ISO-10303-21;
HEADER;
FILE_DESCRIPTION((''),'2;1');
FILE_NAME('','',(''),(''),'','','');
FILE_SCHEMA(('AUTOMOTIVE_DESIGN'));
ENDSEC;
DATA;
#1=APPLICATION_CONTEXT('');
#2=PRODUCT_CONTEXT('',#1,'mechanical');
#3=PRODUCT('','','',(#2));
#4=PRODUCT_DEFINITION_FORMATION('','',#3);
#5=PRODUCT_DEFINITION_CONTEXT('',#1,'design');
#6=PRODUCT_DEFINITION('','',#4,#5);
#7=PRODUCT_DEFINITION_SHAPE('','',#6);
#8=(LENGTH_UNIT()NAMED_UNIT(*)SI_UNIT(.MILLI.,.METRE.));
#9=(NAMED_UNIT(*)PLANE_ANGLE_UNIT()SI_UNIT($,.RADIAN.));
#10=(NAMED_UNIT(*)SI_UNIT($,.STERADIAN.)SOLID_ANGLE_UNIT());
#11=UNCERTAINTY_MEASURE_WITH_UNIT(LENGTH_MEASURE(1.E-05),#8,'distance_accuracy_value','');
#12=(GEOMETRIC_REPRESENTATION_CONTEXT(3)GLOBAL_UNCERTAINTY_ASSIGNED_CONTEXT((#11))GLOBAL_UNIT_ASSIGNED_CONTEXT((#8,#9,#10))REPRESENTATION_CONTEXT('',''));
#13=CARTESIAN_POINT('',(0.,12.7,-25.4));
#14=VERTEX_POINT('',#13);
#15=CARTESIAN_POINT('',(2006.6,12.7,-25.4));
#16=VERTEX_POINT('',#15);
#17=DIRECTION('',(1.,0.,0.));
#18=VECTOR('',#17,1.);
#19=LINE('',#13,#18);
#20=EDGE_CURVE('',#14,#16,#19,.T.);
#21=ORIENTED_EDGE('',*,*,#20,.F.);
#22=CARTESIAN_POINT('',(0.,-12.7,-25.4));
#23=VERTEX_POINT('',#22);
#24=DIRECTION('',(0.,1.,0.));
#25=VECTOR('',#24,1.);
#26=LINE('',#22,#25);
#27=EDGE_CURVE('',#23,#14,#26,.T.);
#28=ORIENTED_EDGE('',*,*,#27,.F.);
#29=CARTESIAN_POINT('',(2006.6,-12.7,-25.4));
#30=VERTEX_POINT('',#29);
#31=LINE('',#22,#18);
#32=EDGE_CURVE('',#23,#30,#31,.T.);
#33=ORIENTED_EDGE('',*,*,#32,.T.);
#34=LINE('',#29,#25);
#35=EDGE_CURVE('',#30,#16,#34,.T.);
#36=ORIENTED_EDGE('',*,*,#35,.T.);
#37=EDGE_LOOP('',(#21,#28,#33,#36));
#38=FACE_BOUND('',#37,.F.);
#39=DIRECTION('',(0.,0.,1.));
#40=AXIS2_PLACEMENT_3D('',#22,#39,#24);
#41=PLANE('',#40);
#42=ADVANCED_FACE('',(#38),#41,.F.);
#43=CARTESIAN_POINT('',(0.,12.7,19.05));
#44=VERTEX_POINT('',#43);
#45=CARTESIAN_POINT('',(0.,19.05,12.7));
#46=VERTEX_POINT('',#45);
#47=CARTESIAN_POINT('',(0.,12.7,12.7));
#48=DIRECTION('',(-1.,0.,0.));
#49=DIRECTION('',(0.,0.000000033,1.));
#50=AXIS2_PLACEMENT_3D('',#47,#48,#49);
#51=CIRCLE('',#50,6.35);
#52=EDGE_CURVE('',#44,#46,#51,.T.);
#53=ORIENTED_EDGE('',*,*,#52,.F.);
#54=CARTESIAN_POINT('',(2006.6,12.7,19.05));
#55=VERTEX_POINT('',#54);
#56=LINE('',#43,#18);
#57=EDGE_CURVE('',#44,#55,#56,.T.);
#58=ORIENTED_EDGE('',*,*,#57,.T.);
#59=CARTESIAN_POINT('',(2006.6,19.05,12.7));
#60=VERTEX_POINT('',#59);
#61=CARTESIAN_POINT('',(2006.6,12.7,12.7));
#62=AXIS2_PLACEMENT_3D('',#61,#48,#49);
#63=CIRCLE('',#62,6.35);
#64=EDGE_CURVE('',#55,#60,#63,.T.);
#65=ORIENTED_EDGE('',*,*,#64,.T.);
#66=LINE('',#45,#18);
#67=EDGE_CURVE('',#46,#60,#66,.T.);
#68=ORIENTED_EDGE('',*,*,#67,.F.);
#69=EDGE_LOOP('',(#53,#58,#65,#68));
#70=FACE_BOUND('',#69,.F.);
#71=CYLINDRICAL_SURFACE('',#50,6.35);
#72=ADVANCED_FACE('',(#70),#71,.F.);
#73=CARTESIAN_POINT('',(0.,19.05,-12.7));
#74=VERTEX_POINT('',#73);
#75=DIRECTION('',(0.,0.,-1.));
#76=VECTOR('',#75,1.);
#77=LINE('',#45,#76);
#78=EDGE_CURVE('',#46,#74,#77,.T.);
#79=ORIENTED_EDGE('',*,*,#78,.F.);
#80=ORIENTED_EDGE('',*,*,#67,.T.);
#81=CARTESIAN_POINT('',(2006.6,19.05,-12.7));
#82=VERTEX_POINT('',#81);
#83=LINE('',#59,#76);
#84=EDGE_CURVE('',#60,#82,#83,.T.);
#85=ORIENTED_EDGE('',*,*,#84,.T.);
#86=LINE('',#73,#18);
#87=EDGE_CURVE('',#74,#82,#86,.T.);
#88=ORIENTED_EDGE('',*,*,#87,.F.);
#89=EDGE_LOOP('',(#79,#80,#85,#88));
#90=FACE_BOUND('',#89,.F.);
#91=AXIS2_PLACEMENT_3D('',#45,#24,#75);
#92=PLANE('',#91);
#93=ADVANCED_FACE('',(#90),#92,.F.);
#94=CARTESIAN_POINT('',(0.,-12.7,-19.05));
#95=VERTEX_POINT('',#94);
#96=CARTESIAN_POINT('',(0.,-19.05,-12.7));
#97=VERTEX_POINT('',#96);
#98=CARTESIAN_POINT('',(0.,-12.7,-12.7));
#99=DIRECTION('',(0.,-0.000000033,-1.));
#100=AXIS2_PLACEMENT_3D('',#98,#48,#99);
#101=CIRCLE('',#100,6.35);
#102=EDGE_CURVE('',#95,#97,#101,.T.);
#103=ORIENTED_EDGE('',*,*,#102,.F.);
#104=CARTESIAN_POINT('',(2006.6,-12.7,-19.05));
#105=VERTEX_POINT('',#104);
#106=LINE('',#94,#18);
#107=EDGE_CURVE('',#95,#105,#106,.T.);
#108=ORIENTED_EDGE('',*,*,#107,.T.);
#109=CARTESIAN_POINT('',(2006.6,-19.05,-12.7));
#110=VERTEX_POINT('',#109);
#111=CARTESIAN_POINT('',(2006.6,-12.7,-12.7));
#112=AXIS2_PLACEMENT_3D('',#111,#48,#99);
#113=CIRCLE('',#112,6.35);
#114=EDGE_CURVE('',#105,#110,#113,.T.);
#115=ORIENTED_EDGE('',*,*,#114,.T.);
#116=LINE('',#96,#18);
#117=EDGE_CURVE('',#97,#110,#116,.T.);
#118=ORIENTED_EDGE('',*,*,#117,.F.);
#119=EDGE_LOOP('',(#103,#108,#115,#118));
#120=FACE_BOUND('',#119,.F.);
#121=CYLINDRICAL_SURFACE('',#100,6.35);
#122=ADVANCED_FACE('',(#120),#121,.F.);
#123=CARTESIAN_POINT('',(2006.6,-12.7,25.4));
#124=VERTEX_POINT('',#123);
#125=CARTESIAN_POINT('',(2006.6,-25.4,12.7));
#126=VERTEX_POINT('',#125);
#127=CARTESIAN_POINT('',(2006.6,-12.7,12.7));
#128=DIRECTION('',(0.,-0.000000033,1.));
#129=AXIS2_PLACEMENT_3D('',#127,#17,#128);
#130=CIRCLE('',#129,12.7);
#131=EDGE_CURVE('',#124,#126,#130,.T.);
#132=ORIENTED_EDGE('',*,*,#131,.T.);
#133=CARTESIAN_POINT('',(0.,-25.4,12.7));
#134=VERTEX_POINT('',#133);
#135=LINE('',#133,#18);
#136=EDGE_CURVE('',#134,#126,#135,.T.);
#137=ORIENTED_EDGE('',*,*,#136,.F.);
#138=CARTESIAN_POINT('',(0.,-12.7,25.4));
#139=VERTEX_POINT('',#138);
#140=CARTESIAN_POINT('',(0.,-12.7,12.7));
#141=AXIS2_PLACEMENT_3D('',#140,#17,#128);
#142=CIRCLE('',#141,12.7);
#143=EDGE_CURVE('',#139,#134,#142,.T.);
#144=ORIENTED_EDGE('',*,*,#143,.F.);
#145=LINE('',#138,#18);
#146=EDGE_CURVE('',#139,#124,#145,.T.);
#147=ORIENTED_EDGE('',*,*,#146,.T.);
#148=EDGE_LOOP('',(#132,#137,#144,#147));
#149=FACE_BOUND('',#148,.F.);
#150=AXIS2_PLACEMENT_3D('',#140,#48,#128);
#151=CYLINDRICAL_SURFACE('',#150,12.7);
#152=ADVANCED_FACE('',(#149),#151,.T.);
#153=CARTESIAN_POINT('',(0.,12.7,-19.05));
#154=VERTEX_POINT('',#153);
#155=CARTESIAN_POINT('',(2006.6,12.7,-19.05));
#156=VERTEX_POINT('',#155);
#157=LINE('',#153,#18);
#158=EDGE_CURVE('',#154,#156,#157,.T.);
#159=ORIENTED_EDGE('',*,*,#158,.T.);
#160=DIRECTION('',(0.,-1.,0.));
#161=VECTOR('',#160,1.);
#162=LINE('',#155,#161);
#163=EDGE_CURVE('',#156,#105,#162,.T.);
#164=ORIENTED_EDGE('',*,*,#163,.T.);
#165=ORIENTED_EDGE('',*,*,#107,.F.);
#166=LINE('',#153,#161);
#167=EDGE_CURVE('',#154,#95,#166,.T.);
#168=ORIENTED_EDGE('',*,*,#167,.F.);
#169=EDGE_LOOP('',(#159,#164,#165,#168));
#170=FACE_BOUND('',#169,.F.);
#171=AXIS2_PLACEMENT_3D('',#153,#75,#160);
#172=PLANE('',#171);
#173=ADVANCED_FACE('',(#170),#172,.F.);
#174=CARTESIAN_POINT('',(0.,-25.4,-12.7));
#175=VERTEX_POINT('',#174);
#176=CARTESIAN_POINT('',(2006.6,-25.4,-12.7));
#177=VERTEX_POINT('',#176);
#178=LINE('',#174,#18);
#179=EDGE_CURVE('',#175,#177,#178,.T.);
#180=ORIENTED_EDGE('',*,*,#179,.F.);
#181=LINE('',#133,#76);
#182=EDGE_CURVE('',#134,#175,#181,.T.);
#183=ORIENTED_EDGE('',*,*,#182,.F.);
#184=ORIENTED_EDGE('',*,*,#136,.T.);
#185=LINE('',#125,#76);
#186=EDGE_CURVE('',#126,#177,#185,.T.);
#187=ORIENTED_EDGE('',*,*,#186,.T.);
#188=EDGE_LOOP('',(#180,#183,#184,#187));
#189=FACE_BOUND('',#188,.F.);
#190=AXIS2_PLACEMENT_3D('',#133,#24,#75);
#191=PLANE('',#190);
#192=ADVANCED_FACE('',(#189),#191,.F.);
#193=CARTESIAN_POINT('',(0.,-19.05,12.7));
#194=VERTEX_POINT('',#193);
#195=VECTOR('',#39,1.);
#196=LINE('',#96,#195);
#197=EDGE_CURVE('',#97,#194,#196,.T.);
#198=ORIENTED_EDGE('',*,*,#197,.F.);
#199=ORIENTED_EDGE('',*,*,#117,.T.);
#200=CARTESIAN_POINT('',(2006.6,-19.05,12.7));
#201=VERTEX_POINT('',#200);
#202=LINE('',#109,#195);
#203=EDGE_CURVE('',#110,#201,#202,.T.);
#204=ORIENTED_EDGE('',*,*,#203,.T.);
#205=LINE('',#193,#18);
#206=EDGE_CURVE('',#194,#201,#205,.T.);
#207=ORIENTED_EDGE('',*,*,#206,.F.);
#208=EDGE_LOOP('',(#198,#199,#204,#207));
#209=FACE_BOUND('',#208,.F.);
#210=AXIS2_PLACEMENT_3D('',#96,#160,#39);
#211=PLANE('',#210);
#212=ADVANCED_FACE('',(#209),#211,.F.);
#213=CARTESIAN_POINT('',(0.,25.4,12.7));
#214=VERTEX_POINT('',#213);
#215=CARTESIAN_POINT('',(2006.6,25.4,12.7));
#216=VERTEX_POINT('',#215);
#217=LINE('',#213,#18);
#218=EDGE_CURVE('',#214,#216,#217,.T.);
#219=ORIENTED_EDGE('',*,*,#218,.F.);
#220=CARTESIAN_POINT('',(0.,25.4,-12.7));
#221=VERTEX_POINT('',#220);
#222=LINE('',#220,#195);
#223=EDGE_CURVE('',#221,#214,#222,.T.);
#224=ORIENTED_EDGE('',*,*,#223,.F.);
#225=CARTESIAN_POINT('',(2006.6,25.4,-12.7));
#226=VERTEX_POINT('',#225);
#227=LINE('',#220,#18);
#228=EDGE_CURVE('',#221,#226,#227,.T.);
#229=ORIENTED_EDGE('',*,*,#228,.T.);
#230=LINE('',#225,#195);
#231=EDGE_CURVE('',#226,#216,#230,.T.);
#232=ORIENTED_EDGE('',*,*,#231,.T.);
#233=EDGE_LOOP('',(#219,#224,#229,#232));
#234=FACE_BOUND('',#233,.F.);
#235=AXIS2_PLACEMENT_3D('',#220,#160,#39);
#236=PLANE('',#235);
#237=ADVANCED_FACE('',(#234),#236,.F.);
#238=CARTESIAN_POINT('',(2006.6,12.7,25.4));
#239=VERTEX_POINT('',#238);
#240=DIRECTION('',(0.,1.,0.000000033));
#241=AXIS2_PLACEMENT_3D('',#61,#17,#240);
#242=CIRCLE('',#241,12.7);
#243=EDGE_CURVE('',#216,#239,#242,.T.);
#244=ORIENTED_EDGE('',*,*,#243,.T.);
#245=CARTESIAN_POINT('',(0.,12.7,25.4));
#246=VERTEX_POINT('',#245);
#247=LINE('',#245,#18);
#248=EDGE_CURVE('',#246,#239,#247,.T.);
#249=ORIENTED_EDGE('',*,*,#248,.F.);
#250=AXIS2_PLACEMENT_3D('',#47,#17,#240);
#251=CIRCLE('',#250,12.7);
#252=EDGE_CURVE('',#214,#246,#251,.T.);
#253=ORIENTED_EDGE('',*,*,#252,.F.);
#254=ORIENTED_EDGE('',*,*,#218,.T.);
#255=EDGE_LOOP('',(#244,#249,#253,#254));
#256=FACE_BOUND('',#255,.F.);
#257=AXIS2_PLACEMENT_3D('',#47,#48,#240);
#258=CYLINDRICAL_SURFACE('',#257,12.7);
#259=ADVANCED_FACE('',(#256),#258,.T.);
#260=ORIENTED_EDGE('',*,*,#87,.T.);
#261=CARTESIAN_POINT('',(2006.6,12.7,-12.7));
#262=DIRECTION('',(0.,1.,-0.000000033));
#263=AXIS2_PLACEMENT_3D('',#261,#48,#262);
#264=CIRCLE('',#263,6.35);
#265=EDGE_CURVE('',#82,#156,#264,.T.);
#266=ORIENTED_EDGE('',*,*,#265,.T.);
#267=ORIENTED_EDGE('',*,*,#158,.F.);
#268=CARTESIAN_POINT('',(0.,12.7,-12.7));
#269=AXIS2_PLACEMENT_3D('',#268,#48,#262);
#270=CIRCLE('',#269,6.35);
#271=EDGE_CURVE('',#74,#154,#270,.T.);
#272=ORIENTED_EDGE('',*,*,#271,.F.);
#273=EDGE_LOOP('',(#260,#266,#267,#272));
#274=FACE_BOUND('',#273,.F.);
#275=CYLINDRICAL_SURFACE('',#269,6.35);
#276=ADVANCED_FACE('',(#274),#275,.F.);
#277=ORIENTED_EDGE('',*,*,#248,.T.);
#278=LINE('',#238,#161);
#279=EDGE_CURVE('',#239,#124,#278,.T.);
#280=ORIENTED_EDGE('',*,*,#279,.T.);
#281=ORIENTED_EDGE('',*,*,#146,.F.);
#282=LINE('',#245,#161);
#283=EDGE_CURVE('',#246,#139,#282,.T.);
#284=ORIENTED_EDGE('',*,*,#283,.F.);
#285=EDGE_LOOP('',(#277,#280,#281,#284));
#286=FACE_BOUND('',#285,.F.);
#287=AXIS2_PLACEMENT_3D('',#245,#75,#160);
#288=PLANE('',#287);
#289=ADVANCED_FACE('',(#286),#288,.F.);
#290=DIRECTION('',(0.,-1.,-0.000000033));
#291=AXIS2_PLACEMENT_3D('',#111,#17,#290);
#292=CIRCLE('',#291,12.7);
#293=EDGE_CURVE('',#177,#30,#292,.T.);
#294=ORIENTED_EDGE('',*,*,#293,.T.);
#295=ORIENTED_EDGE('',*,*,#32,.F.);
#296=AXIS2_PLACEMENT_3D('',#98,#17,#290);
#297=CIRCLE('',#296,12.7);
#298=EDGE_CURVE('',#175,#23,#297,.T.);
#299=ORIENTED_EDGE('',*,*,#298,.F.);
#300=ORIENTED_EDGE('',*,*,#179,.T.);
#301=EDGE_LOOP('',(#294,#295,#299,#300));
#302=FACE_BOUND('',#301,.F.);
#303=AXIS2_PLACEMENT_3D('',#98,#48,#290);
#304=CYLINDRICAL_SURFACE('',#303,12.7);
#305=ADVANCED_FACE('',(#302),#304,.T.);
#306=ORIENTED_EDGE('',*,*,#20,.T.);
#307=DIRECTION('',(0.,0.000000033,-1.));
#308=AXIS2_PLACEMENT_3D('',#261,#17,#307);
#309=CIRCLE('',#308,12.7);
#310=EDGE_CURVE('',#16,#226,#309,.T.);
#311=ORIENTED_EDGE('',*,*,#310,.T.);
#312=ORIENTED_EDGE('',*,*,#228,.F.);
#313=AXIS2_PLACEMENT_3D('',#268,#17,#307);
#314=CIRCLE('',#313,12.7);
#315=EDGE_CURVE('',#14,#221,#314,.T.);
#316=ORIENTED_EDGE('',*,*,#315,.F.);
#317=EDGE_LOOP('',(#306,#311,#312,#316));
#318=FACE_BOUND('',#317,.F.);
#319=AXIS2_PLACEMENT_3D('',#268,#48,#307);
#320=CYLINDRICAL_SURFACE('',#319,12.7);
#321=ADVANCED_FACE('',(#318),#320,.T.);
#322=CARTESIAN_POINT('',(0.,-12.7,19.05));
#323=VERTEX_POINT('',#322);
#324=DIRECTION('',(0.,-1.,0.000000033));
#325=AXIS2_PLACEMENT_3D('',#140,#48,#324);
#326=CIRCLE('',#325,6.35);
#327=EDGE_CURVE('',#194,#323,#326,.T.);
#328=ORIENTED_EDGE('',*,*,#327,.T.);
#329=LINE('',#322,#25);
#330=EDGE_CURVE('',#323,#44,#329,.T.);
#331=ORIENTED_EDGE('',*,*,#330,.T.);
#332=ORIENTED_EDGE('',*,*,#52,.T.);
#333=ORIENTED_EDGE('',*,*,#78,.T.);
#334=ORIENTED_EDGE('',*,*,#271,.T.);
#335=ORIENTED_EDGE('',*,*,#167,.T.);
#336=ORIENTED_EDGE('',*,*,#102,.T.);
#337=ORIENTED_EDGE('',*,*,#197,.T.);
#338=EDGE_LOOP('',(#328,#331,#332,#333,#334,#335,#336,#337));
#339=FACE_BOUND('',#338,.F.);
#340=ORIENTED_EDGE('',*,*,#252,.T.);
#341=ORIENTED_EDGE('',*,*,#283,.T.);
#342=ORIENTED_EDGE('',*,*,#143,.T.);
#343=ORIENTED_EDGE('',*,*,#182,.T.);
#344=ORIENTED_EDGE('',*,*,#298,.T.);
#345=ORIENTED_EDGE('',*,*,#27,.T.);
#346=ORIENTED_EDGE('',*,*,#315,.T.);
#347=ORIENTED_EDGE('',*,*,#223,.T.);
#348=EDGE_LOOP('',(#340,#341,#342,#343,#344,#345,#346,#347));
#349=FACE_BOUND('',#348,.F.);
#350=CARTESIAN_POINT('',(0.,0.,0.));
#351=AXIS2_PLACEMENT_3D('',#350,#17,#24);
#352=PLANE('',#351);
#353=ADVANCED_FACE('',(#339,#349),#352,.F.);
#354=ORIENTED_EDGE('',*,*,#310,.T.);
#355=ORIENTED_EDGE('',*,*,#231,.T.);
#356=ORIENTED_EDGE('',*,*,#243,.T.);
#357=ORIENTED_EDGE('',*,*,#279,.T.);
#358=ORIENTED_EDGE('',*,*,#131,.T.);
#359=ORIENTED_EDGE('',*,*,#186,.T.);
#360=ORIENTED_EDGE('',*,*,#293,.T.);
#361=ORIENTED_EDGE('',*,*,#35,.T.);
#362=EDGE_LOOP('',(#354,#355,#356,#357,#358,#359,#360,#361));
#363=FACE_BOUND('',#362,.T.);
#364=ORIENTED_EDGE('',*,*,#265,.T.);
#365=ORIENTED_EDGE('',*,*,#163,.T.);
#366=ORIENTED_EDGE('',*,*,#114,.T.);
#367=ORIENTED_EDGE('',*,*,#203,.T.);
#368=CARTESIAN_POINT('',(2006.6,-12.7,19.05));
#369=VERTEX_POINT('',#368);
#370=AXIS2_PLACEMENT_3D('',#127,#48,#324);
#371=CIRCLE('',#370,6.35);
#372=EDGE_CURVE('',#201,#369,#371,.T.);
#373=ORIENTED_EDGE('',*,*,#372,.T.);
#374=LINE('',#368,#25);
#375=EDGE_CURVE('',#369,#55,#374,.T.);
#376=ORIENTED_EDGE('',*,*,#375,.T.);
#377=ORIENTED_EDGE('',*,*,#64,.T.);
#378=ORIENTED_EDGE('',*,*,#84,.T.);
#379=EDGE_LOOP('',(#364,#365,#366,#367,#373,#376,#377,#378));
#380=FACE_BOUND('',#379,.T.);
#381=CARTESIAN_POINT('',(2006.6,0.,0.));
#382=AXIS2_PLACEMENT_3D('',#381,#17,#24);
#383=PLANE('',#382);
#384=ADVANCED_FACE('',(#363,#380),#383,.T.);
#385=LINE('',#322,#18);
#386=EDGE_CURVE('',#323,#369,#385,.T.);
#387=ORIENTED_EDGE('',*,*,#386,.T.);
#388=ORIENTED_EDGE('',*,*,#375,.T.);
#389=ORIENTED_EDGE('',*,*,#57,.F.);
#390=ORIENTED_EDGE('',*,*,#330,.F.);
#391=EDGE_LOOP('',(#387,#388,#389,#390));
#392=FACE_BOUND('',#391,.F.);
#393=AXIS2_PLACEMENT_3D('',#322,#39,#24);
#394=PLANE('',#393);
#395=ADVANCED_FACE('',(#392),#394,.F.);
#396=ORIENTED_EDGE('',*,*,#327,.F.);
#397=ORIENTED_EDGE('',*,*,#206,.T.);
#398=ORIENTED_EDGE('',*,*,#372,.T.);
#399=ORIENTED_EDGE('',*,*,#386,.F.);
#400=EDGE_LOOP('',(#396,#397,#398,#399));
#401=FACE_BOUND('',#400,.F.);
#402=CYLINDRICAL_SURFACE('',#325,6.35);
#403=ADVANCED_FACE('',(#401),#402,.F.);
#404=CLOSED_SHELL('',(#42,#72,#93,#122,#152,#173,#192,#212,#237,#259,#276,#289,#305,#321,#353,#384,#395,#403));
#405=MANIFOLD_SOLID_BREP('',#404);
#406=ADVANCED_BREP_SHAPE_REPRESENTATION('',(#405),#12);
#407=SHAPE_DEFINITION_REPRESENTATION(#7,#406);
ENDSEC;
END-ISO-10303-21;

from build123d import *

# Parameters (mm, degrees)
F1_DEPTH = 2006.6


with BuildPart() as f1:
    # F0 (on Right) → F1 (new body)
    with BuildSketch(Plane.YZ):
        with BuildLine():
            ThreePointArc((25.4, 12.7), (21.680256, 21.680256), (12.7, 25.4))
            Line((12.7, 25.4), (-12.7, 25.4))
            ThreePointArc((-12.7, 25.4), (-21.680256, 21.680256), (-25.4, 12.7))
            Line((-25.4, 12.7), (-25.4, -12.7))
            ThreePointArc((-25.4, -12.7), (-21.680256, -21.680256), (-12.7, -25.4))
            Line((-12.7, -25.4), (12.7, -25.4))
            ThreePointArc((12.7, -25.4), (21.680256, -21.680256), (25.4, -12.7))
            Line((25.4, -12.7), (25.4, 12.7))
        make_face()
        with BuildLine():
            Line((-12.7, 19.05), (12.7, 19.05))
            ThreePointArc((12.7, 19.05), (17.190128, 17.190128), (19.05, 12.7))
            Line((19.05, 12.7), (19.05, -12.7))
            ThreePointArc((19.05, -12.7), (17.190128, -17.190128), (12.7, -19.05))
            Line((12.7, -19.05), (-12.7, -19.05))
            ThreePointArc((-12.7, -19.05), (-17.190128, -17.190128), (-19.05, -12.7))
            Line((-19.05, -12.7), (-19.05, 12.7))
            ThreePointArc((-19.05, 12.7), (-17.190128, 17.190128), (-12.7, 19.05))
        make_face(mode=Mode.SUBTRACT)
    extrude(amount=F1_DEPTH)


solid = f1.part
